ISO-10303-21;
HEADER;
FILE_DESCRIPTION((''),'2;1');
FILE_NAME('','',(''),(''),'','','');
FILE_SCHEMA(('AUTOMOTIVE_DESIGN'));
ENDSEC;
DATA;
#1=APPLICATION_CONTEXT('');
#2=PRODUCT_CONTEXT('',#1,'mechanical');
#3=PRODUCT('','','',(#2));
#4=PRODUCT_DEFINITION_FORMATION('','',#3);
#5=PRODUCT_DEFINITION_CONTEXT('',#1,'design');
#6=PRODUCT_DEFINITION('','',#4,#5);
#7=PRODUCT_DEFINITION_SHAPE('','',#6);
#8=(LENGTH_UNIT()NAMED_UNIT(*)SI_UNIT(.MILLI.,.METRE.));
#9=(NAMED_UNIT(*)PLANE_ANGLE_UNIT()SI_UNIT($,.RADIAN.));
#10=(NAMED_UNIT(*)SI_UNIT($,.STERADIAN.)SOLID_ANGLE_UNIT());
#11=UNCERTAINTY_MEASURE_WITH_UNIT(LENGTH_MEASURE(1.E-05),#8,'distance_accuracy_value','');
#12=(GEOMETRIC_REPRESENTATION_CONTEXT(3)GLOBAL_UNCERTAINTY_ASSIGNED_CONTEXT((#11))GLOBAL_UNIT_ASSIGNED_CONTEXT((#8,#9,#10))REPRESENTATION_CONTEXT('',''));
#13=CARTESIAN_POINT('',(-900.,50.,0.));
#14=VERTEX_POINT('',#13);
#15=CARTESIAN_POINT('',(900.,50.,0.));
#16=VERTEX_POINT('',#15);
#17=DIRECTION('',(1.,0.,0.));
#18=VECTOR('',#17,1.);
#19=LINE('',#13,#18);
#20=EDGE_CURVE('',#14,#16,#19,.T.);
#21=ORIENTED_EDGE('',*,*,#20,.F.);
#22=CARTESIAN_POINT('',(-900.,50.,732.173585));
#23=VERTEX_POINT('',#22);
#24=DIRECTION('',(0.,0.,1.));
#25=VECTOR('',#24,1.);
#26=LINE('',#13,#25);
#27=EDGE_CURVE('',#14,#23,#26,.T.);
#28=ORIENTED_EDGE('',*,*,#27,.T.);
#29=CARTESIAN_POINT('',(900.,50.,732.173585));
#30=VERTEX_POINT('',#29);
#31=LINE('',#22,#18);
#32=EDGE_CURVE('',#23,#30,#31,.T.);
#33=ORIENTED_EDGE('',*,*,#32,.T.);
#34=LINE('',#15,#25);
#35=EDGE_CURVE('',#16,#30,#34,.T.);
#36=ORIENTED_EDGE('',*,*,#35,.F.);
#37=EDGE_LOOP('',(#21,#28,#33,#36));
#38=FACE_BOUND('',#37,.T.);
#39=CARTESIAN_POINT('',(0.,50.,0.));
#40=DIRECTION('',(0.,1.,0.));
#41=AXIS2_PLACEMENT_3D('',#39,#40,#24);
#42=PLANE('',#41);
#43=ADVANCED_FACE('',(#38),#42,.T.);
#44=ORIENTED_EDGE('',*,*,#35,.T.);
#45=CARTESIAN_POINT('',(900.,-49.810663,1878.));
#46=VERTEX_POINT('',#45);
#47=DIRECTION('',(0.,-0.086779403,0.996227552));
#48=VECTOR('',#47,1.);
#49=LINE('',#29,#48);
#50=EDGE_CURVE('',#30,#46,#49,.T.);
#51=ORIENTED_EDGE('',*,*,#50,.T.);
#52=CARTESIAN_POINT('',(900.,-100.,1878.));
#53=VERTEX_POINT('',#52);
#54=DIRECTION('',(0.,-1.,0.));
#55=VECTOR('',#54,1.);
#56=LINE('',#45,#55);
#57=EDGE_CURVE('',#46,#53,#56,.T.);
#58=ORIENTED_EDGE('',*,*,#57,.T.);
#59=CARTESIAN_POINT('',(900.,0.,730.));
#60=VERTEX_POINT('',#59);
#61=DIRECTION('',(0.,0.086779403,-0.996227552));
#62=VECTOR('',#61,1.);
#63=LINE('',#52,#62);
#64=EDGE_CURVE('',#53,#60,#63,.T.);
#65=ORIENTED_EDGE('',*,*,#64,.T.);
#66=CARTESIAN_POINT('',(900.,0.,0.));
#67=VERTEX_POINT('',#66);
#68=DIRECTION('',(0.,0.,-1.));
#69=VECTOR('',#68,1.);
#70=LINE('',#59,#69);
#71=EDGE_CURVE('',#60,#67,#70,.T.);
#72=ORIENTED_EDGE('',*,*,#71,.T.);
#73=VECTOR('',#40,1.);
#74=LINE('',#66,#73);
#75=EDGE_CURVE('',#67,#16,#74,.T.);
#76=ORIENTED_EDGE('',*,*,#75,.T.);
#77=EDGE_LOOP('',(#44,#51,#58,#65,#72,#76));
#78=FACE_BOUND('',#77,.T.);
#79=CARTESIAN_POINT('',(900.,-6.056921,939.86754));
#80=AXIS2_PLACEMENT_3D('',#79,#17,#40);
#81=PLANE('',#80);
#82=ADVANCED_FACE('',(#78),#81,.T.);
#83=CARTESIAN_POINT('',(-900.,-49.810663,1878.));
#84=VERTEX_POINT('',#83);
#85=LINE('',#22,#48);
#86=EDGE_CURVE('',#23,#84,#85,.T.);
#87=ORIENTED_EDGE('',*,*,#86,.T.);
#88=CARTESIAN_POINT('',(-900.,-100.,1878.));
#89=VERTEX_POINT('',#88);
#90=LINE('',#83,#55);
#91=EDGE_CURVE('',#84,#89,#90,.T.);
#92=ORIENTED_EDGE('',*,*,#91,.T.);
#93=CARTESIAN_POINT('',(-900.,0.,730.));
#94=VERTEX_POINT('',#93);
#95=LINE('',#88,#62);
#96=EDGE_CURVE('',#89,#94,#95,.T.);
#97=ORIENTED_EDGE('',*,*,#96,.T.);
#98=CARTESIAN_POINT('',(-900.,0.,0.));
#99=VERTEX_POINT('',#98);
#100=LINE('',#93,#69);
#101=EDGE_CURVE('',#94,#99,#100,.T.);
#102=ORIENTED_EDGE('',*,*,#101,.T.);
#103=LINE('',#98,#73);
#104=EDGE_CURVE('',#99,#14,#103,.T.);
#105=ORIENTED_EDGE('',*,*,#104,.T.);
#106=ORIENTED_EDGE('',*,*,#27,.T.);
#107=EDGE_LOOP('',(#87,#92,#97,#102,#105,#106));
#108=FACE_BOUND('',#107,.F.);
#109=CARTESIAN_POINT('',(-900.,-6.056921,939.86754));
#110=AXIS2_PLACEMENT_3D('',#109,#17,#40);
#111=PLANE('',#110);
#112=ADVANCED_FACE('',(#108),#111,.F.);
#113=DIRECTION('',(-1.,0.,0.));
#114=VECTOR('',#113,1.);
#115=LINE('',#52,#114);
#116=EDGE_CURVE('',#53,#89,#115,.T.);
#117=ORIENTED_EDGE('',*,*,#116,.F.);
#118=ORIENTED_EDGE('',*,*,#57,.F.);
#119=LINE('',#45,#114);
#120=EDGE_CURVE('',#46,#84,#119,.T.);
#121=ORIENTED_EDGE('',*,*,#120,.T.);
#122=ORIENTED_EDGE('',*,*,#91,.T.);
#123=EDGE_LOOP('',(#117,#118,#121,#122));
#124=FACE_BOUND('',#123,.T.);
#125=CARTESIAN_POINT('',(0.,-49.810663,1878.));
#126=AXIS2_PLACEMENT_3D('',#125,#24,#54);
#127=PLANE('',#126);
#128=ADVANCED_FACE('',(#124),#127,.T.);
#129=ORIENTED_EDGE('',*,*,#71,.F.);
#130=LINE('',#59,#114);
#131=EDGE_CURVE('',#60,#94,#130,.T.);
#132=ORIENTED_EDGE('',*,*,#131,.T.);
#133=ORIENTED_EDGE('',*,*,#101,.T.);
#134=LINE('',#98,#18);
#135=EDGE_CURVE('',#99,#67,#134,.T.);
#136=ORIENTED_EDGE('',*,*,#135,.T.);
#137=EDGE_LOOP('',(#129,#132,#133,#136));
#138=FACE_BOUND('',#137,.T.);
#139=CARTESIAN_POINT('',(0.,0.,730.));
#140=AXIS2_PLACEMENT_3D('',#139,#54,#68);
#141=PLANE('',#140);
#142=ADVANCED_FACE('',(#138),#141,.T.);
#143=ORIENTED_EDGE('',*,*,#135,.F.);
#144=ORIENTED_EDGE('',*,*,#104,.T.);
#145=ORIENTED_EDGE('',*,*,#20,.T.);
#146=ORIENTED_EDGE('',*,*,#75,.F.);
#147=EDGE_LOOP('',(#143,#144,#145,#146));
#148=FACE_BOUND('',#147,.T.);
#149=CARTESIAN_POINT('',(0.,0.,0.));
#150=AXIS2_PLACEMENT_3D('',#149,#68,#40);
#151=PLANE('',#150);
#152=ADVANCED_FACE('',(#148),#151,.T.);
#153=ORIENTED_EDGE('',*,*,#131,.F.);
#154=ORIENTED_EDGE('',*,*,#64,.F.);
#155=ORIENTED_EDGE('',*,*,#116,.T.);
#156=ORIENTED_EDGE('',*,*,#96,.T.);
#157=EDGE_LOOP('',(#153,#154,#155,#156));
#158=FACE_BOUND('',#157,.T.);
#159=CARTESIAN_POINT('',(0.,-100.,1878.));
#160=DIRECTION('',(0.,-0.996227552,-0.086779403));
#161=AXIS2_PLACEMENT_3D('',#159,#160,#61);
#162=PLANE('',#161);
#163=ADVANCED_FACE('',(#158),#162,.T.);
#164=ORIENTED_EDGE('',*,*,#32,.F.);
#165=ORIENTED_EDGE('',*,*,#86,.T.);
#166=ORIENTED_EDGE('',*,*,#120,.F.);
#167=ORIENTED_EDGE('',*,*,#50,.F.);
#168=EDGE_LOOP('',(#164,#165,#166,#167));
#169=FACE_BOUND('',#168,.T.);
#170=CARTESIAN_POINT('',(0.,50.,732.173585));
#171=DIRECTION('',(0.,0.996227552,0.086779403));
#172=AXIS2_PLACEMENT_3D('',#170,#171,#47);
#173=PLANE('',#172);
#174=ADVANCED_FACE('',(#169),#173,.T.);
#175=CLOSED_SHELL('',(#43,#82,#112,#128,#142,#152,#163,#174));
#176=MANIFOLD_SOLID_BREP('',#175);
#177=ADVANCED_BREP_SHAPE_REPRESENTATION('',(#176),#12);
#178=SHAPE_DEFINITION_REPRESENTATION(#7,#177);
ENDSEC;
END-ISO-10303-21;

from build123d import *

# Parameters (mm, degrees)
F1_DEPTH      = 900
F1_DEPTH_BACK = 900


with BuildPart() as f1:
    # F0 (on Right) → F1 (new body, two sides)
    with BuildSketch(Plane.YZ) as f1_sk:
        Polygon((0, 730), (0, 0), (50, 0), (50, 732.173585), (-49.810663, 1878), (-100, 1878), align=None)
    extrude(amount=F1_DEPTH)
    extrude(f1_sk.sketch, amount=-F1_DEPTH_BACK)


solid = f1.part
